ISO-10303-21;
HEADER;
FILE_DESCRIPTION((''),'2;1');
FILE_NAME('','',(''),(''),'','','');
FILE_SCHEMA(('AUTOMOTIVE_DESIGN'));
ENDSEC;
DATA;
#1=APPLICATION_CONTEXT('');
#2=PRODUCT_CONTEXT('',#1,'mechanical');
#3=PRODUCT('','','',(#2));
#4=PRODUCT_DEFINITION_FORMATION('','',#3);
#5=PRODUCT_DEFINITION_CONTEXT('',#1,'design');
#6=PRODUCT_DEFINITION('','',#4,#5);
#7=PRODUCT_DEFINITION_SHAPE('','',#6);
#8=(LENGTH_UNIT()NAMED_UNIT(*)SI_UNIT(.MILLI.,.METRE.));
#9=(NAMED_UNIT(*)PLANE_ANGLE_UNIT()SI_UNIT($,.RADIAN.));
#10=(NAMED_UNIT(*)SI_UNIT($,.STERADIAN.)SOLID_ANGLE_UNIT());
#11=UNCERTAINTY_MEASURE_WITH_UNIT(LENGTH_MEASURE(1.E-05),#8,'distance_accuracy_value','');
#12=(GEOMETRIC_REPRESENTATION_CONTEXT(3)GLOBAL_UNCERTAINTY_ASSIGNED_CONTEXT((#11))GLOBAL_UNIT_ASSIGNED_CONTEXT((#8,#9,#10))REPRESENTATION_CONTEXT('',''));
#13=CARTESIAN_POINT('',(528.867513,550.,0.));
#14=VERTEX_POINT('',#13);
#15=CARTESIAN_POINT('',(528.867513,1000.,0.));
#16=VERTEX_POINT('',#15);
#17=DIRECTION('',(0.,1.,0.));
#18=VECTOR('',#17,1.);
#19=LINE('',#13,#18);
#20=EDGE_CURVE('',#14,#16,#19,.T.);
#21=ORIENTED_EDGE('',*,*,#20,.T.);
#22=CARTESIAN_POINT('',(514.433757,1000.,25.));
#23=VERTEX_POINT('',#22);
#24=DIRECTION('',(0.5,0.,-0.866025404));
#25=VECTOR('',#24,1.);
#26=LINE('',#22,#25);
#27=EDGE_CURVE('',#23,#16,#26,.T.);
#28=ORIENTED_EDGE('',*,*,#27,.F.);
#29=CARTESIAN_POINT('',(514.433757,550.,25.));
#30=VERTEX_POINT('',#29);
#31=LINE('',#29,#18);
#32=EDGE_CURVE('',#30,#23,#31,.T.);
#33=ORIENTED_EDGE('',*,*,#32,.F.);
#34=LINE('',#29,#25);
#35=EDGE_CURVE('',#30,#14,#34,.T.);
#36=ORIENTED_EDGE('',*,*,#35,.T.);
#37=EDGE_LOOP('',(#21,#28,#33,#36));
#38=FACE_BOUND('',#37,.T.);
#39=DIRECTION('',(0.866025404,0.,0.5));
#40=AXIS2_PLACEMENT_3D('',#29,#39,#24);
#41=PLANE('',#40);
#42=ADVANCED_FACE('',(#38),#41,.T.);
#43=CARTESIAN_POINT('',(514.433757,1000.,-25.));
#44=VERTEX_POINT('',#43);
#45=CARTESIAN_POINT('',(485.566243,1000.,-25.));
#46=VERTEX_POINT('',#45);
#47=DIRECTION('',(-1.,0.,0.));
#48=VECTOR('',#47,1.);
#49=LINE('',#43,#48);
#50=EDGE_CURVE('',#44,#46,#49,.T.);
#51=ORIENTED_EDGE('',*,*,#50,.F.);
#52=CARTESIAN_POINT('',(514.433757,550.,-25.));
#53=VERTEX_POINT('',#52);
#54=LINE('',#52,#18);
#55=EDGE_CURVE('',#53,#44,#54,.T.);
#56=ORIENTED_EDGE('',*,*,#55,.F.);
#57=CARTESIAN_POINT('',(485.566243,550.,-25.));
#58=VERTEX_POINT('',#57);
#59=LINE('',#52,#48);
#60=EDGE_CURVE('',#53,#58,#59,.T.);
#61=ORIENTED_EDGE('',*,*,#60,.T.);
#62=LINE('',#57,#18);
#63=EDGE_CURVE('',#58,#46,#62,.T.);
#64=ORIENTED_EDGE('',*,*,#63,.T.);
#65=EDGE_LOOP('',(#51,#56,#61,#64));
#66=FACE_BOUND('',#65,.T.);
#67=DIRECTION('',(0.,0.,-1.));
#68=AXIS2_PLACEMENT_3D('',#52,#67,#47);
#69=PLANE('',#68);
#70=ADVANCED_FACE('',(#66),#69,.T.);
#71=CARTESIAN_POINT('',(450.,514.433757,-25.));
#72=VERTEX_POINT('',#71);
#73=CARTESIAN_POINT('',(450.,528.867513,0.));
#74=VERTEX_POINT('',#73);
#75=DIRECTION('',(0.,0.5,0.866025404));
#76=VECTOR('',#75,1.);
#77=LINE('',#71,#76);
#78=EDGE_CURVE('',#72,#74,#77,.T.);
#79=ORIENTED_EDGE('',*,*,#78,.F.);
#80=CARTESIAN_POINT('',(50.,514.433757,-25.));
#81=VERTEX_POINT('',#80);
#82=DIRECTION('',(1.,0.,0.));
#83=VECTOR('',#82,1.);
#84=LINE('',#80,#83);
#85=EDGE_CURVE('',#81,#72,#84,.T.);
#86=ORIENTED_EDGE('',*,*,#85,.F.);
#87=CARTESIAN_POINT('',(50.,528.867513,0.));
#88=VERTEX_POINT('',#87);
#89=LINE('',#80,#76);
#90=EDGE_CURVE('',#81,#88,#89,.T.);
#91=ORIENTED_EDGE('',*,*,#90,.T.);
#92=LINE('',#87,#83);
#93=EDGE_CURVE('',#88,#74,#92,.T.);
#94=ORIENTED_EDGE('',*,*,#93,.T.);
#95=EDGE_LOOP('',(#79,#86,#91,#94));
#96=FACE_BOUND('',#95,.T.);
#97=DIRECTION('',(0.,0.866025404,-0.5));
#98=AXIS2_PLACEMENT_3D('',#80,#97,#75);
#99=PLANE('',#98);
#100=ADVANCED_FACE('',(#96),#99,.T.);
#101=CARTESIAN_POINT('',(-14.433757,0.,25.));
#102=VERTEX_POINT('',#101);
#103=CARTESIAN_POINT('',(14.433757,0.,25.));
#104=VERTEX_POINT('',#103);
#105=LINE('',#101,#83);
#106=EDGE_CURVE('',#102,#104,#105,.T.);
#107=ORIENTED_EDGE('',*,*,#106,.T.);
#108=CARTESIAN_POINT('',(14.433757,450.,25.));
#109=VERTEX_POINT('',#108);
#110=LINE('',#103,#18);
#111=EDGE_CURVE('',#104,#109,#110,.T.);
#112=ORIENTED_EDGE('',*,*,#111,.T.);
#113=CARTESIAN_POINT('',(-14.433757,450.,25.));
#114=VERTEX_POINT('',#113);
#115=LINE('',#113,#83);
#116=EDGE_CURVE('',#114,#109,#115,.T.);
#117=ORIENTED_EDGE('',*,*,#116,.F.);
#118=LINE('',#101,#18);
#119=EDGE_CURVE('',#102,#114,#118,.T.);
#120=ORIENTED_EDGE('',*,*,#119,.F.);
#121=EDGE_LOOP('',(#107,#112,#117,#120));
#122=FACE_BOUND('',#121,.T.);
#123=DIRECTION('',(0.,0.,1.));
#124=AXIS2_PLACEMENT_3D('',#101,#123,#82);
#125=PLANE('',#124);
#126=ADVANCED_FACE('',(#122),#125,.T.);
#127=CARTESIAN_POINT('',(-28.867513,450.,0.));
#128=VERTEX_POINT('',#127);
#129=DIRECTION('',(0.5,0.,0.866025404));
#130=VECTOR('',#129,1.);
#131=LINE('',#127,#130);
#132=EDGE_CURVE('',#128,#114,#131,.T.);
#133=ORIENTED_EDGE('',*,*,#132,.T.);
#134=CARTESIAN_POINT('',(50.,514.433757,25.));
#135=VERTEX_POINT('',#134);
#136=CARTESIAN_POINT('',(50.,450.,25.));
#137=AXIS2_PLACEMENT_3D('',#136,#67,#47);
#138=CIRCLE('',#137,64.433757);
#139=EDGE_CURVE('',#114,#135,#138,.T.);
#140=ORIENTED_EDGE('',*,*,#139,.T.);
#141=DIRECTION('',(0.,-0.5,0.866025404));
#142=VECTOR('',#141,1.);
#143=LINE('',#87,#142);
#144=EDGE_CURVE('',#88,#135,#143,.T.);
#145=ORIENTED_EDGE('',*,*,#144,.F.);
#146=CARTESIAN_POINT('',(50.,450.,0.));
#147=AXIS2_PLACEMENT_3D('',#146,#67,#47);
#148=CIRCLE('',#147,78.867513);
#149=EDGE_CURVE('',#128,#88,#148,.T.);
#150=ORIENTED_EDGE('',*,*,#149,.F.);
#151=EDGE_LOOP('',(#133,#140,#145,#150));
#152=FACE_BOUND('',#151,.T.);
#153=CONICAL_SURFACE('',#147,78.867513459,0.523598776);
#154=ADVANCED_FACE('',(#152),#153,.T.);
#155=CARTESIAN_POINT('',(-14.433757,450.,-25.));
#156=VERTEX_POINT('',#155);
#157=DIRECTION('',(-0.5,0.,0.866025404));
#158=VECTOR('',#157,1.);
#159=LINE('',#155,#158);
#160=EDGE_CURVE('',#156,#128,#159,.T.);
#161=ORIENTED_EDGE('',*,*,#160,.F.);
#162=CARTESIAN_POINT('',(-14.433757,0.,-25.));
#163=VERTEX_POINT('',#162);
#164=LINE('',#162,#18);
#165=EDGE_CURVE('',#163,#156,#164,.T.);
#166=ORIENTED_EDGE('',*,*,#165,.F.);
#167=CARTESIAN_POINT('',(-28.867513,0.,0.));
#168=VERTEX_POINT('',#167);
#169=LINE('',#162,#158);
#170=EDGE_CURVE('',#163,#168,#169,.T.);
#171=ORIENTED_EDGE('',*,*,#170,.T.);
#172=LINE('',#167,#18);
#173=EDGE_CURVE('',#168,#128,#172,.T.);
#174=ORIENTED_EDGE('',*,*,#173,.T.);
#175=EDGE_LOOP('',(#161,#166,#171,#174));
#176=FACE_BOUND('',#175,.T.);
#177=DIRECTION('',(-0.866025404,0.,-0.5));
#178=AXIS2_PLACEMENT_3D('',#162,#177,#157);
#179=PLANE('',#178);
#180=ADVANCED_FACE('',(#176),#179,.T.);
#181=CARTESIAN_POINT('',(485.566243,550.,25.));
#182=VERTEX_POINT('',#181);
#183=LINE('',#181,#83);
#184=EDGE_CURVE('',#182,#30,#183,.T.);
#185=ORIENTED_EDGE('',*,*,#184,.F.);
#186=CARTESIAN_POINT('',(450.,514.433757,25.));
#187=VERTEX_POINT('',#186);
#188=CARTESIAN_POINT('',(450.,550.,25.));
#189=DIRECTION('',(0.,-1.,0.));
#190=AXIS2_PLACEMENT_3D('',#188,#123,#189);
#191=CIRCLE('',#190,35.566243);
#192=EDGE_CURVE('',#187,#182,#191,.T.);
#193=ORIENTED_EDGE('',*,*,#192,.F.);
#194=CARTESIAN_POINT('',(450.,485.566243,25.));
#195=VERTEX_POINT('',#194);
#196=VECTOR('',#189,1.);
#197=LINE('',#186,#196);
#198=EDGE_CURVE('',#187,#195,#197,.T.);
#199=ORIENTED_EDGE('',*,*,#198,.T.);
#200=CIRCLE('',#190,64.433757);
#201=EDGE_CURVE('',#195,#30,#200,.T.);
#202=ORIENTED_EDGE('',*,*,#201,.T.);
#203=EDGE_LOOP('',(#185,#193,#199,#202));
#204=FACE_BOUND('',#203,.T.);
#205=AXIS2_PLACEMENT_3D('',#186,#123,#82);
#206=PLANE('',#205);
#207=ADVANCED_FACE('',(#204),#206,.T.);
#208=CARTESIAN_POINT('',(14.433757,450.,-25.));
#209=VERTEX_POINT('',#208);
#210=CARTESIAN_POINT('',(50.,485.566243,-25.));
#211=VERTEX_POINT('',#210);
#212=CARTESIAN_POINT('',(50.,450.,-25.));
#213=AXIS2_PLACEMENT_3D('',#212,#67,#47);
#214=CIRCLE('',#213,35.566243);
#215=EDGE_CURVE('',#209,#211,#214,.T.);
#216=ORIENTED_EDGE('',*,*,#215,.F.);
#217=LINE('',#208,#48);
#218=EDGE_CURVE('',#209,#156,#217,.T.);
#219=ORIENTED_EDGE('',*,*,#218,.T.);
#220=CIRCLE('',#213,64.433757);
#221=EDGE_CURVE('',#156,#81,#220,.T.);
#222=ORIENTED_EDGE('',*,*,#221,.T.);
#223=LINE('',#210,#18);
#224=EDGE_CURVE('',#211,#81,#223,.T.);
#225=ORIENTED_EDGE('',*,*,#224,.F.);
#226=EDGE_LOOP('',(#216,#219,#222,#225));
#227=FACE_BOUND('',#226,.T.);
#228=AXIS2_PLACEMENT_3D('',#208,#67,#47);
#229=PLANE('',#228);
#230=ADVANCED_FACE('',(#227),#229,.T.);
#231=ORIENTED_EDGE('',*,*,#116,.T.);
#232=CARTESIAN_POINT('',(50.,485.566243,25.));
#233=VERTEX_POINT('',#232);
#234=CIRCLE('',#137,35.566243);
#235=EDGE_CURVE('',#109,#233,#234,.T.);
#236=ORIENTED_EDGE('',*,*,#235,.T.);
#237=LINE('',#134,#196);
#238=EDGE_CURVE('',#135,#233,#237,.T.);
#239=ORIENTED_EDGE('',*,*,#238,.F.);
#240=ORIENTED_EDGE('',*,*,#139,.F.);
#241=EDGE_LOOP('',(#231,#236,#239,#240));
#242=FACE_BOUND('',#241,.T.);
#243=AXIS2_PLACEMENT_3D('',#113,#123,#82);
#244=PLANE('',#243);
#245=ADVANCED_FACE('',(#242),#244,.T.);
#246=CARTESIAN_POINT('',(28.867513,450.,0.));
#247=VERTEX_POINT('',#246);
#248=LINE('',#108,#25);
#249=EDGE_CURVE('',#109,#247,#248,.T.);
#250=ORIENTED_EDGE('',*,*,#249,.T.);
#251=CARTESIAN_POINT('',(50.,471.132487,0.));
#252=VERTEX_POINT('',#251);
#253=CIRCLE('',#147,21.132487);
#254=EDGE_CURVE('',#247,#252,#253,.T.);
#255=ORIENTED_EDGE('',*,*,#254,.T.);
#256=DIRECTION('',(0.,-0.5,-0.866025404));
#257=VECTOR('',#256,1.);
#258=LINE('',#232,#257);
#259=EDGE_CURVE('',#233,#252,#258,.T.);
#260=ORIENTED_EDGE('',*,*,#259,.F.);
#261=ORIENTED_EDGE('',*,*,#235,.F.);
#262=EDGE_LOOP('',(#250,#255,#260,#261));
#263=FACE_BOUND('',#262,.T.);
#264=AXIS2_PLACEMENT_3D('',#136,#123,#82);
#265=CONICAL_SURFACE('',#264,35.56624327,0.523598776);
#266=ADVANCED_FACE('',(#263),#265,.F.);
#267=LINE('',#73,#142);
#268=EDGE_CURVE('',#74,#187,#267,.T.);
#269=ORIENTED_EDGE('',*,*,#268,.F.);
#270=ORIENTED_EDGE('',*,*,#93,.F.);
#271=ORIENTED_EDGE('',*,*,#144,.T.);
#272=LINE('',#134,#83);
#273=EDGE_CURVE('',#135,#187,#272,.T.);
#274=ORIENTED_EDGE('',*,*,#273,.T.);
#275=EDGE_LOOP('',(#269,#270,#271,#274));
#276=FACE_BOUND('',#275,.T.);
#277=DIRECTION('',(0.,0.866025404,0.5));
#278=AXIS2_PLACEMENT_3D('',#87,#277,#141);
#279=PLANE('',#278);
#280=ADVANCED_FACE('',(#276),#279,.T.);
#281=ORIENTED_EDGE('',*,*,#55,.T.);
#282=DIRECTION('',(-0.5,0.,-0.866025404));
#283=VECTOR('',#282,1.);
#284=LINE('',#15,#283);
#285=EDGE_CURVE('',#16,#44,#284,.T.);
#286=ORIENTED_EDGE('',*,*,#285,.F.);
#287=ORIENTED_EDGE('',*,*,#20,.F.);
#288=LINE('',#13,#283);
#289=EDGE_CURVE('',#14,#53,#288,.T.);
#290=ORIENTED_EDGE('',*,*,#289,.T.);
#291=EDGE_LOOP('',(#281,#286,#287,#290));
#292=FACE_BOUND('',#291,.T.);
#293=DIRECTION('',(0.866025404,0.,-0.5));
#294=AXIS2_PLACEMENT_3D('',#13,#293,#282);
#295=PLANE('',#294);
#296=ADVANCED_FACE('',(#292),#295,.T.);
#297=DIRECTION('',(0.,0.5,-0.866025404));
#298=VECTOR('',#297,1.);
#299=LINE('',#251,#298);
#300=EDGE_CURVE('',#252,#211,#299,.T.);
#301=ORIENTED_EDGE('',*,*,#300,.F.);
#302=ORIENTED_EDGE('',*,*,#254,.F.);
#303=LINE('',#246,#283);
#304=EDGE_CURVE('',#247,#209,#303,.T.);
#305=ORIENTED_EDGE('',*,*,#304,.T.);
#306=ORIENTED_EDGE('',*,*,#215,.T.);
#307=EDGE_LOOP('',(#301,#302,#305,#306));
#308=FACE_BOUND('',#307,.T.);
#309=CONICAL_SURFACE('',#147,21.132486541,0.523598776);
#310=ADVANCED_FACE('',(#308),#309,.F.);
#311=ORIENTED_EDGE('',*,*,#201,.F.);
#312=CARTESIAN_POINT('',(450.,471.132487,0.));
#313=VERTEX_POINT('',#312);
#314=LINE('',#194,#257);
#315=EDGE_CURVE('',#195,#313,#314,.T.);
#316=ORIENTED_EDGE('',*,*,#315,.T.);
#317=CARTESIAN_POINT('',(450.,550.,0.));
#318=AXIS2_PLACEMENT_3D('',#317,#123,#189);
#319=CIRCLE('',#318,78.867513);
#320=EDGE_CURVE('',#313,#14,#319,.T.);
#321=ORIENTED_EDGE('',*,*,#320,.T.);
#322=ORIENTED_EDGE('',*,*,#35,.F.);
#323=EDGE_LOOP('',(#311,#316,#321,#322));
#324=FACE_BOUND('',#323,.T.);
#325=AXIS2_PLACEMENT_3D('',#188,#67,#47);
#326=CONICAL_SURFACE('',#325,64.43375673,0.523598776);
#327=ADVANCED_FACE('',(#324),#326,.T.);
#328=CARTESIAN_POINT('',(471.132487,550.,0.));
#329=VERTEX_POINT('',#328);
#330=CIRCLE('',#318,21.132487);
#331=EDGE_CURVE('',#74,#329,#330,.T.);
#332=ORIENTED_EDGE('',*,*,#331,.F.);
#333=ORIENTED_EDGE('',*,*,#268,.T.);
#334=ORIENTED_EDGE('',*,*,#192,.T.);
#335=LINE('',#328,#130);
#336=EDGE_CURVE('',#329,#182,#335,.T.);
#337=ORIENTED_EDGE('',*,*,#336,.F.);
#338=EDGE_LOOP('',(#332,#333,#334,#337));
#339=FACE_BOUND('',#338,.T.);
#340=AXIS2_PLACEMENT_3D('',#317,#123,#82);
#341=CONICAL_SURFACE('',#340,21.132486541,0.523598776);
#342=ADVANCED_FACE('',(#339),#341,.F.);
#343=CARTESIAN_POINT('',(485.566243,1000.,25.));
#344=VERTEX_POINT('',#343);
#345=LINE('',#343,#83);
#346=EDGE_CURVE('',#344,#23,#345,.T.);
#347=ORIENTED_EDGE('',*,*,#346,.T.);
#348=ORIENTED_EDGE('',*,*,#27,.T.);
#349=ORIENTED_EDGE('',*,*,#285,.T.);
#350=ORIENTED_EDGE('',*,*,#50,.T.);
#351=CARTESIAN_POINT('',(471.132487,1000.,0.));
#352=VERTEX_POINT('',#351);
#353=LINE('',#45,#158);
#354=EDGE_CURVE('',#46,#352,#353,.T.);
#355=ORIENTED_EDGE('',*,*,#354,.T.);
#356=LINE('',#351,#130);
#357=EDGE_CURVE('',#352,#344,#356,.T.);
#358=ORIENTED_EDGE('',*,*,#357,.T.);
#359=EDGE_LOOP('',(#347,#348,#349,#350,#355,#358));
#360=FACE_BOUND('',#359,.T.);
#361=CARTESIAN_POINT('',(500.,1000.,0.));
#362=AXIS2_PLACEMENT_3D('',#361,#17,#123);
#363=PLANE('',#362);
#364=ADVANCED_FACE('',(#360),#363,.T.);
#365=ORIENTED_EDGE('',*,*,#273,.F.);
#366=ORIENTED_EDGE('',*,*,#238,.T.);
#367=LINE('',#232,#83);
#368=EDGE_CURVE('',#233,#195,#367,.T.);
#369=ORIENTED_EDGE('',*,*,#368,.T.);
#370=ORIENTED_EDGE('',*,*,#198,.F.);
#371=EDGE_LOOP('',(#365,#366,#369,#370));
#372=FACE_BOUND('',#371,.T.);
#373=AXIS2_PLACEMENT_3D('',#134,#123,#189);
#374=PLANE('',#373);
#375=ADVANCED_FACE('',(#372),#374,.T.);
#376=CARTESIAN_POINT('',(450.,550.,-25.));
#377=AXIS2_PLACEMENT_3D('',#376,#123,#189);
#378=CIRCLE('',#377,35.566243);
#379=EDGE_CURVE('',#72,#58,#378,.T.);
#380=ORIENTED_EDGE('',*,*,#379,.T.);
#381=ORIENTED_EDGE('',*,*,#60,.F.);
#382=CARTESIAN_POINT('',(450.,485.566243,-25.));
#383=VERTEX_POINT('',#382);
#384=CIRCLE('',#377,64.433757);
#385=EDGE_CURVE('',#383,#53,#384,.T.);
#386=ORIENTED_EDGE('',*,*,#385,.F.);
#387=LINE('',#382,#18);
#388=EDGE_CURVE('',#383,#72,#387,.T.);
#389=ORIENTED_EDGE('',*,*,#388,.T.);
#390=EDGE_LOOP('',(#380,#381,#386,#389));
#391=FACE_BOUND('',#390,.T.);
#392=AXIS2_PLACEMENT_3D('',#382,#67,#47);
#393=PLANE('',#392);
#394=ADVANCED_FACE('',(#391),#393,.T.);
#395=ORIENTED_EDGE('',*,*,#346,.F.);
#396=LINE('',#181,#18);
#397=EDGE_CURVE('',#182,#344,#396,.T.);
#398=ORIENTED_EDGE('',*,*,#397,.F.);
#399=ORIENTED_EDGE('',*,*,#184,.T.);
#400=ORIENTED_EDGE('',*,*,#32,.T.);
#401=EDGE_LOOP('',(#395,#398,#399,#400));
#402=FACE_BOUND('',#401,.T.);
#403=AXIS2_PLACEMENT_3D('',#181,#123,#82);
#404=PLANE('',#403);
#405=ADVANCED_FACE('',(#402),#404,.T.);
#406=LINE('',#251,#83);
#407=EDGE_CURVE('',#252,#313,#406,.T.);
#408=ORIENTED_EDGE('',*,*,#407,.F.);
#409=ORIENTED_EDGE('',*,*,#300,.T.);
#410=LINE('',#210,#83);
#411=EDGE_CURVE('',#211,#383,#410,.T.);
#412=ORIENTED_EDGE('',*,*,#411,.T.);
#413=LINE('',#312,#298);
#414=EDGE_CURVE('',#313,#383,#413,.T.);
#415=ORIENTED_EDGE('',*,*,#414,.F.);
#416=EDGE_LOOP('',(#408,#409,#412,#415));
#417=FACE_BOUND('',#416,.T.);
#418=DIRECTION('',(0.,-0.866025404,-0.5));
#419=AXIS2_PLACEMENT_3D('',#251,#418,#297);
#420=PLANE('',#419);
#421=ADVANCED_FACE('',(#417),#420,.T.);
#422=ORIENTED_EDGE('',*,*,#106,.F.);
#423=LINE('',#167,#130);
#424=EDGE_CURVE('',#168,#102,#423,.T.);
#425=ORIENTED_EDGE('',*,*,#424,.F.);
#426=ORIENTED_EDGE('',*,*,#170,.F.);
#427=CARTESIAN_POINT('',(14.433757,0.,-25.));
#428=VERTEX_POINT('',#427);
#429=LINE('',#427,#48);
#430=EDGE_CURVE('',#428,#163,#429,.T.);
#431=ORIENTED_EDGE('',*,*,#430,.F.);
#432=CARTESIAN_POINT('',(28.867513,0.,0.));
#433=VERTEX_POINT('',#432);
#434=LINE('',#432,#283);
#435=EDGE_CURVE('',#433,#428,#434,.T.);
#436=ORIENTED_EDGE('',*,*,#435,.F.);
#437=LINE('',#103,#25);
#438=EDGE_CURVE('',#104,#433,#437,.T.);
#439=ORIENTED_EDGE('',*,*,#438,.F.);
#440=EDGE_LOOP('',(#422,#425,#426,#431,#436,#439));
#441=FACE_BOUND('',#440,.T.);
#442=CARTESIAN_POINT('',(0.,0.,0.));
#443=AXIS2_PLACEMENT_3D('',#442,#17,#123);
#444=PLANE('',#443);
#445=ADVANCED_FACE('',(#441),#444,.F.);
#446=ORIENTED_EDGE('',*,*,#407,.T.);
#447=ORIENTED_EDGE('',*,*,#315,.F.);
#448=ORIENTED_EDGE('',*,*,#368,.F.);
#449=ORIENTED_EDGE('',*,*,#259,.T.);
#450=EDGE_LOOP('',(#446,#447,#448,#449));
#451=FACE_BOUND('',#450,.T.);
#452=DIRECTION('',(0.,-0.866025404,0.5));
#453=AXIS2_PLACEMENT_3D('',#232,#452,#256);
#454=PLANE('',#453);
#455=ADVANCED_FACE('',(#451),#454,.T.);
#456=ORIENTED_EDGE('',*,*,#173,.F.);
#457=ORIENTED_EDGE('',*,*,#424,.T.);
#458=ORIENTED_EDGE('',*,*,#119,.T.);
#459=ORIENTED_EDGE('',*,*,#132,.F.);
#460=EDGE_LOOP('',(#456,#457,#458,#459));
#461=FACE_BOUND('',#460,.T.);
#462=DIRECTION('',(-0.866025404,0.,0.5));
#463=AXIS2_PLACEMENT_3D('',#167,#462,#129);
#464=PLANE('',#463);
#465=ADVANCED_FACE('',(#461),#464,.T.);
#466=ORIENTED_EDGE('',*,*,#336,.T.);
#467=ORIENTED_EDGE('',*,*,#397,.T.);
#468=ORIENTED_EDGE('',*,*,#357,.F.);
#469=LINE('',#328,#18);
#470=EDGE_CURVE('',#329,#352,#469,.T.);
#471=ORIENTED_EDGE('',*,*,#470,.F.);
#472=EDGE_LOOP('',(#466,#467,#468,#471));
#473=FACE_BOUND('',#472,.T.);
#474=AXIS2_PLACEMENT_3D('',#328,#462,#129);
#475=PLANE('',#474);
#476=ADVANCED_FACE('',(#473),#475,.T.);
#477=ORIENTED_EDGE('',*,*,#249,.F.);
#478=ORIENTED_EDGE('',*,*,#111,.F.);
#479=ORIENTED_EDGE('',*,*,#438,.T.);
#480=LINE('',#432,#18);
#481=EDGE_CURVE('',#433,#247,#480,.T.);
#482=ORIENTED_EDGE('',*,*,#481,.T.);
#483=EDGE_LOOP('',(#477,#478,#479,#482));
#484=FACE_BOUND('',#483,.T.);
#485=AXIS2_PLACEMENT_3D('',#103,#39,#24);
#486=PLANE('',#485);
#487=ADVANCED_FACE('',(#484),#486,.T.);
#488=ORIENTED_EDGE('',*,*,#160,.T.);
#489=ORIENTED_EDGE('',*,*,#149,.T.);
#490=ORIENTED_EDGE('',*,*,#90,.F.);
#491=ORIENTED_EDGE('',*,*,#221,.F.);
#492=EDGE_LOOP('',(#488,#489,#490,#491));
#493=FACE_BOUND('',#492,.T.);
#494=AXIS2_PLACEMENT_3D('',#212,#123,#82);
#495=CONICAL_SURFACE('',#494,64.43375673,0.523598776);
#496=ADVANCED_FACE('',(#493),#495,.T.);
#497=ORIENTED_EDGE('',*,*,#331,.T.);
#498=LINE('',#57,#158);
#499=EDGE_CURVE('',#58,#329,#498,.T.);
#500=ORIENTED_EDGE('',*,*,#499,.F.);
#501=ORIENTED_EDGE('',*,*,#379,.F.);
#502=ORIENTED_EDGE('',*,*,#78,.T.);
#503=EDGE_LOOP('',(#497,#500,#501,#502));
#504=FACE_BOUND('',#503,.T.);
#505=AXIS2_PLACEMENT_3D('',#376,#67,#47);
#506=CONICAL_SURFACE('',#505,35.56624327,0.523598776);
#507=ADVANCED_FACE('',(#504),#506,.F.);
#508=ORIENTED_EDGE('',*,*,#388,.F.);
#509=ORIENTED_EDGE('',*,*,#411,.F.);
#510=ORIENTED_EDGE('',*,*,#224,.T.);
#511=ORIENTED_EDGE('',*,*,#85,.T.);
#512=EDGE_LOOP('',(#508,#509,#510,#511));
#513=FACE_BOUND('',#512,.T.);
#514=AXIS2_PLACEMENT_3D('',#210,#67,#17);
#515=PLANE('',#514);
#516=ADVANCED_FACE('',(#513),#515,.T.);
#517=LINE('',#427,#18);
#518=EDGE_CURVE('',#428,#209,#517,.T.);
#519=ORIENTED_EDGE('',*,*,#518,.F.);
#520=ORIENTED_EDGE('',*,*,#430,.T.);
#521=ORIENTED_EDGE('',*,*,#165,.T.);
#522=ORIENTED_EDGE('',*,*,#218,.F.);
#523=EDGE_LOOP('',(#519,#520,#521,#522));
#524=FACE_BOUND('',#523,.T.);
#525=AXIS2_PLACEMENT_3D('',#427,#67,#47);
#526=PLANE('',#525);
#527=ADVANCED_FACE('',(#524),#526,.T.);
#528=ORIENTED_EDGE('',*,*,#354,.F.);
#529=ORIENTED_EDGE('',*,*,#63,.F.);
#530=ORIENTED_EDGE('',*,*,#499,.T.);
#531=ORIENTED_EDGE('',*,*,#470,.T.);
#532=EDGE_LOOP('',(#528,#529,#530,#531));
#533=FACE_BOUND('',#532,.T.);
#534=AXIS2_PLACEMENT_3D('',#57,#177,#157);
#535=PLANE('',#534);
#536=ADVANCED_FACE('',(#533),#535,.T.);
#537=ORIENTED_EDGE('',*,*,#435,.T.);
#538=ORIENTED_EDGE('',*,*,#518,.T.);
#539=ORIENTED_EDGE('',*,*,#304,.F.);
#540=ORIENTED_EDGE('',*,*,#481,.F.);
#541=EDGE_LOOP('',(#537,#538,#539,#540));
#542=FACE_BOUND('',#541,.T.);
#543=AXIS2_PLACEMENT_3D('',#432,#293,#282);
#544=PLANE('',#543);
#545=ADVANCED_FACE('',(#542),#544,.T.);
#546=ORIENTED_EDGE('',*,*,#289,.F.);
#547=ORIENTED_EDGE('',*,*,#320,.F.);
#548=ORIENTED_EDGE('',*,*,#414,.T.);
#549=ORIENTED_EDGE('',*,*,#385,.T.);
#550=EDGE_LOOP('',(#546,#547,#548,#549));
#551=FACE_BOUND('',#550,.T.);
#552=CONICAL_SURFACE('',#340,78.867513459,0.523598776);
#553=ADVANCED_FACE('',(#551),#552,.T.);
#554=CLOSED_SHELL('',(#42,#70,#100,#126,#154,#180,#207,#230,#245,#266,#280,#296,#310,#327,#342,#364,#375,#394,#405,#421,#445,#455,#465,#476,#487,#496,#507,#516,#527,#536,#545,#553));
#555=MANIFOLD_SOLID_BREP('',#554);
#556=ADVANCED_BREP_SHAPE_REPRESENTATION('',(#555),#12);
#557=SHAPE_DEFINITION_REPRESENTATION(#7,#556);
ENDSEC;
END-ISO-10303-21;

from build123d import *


with BuildPart() as part:
    # Sweep5: sweep along a path in Sketch1
    with BuildLine(Plane.XY) as sweep5_path:
        Line((0, 0), (0, 450))
        ThreePointArc((0, 450), (14.644660941, 485.355339059), (50, 500))
        Line((50, 500), (450, 500))
        ThreePointArc((450, 500), (485.355339059, 514.644660941), (500, 550))
        Line((500, 550), (500, 1000))
    # Sketch12 → Sweep5 (sweep)
    with BuildSketch(Plane(origin=(0, 0, 0), x_dir=(1, 0, 0), z_dir=(0, 1, 0))):
        Polygon((-14.43375673, -25), (14.43375673, -25), (28.867513459, 0), (14.43375673, 25), (-14.43375673, 25), (-28.867513459, 0), align=None)
    sweep(path=sweep5_path.line)


solid = part.part
